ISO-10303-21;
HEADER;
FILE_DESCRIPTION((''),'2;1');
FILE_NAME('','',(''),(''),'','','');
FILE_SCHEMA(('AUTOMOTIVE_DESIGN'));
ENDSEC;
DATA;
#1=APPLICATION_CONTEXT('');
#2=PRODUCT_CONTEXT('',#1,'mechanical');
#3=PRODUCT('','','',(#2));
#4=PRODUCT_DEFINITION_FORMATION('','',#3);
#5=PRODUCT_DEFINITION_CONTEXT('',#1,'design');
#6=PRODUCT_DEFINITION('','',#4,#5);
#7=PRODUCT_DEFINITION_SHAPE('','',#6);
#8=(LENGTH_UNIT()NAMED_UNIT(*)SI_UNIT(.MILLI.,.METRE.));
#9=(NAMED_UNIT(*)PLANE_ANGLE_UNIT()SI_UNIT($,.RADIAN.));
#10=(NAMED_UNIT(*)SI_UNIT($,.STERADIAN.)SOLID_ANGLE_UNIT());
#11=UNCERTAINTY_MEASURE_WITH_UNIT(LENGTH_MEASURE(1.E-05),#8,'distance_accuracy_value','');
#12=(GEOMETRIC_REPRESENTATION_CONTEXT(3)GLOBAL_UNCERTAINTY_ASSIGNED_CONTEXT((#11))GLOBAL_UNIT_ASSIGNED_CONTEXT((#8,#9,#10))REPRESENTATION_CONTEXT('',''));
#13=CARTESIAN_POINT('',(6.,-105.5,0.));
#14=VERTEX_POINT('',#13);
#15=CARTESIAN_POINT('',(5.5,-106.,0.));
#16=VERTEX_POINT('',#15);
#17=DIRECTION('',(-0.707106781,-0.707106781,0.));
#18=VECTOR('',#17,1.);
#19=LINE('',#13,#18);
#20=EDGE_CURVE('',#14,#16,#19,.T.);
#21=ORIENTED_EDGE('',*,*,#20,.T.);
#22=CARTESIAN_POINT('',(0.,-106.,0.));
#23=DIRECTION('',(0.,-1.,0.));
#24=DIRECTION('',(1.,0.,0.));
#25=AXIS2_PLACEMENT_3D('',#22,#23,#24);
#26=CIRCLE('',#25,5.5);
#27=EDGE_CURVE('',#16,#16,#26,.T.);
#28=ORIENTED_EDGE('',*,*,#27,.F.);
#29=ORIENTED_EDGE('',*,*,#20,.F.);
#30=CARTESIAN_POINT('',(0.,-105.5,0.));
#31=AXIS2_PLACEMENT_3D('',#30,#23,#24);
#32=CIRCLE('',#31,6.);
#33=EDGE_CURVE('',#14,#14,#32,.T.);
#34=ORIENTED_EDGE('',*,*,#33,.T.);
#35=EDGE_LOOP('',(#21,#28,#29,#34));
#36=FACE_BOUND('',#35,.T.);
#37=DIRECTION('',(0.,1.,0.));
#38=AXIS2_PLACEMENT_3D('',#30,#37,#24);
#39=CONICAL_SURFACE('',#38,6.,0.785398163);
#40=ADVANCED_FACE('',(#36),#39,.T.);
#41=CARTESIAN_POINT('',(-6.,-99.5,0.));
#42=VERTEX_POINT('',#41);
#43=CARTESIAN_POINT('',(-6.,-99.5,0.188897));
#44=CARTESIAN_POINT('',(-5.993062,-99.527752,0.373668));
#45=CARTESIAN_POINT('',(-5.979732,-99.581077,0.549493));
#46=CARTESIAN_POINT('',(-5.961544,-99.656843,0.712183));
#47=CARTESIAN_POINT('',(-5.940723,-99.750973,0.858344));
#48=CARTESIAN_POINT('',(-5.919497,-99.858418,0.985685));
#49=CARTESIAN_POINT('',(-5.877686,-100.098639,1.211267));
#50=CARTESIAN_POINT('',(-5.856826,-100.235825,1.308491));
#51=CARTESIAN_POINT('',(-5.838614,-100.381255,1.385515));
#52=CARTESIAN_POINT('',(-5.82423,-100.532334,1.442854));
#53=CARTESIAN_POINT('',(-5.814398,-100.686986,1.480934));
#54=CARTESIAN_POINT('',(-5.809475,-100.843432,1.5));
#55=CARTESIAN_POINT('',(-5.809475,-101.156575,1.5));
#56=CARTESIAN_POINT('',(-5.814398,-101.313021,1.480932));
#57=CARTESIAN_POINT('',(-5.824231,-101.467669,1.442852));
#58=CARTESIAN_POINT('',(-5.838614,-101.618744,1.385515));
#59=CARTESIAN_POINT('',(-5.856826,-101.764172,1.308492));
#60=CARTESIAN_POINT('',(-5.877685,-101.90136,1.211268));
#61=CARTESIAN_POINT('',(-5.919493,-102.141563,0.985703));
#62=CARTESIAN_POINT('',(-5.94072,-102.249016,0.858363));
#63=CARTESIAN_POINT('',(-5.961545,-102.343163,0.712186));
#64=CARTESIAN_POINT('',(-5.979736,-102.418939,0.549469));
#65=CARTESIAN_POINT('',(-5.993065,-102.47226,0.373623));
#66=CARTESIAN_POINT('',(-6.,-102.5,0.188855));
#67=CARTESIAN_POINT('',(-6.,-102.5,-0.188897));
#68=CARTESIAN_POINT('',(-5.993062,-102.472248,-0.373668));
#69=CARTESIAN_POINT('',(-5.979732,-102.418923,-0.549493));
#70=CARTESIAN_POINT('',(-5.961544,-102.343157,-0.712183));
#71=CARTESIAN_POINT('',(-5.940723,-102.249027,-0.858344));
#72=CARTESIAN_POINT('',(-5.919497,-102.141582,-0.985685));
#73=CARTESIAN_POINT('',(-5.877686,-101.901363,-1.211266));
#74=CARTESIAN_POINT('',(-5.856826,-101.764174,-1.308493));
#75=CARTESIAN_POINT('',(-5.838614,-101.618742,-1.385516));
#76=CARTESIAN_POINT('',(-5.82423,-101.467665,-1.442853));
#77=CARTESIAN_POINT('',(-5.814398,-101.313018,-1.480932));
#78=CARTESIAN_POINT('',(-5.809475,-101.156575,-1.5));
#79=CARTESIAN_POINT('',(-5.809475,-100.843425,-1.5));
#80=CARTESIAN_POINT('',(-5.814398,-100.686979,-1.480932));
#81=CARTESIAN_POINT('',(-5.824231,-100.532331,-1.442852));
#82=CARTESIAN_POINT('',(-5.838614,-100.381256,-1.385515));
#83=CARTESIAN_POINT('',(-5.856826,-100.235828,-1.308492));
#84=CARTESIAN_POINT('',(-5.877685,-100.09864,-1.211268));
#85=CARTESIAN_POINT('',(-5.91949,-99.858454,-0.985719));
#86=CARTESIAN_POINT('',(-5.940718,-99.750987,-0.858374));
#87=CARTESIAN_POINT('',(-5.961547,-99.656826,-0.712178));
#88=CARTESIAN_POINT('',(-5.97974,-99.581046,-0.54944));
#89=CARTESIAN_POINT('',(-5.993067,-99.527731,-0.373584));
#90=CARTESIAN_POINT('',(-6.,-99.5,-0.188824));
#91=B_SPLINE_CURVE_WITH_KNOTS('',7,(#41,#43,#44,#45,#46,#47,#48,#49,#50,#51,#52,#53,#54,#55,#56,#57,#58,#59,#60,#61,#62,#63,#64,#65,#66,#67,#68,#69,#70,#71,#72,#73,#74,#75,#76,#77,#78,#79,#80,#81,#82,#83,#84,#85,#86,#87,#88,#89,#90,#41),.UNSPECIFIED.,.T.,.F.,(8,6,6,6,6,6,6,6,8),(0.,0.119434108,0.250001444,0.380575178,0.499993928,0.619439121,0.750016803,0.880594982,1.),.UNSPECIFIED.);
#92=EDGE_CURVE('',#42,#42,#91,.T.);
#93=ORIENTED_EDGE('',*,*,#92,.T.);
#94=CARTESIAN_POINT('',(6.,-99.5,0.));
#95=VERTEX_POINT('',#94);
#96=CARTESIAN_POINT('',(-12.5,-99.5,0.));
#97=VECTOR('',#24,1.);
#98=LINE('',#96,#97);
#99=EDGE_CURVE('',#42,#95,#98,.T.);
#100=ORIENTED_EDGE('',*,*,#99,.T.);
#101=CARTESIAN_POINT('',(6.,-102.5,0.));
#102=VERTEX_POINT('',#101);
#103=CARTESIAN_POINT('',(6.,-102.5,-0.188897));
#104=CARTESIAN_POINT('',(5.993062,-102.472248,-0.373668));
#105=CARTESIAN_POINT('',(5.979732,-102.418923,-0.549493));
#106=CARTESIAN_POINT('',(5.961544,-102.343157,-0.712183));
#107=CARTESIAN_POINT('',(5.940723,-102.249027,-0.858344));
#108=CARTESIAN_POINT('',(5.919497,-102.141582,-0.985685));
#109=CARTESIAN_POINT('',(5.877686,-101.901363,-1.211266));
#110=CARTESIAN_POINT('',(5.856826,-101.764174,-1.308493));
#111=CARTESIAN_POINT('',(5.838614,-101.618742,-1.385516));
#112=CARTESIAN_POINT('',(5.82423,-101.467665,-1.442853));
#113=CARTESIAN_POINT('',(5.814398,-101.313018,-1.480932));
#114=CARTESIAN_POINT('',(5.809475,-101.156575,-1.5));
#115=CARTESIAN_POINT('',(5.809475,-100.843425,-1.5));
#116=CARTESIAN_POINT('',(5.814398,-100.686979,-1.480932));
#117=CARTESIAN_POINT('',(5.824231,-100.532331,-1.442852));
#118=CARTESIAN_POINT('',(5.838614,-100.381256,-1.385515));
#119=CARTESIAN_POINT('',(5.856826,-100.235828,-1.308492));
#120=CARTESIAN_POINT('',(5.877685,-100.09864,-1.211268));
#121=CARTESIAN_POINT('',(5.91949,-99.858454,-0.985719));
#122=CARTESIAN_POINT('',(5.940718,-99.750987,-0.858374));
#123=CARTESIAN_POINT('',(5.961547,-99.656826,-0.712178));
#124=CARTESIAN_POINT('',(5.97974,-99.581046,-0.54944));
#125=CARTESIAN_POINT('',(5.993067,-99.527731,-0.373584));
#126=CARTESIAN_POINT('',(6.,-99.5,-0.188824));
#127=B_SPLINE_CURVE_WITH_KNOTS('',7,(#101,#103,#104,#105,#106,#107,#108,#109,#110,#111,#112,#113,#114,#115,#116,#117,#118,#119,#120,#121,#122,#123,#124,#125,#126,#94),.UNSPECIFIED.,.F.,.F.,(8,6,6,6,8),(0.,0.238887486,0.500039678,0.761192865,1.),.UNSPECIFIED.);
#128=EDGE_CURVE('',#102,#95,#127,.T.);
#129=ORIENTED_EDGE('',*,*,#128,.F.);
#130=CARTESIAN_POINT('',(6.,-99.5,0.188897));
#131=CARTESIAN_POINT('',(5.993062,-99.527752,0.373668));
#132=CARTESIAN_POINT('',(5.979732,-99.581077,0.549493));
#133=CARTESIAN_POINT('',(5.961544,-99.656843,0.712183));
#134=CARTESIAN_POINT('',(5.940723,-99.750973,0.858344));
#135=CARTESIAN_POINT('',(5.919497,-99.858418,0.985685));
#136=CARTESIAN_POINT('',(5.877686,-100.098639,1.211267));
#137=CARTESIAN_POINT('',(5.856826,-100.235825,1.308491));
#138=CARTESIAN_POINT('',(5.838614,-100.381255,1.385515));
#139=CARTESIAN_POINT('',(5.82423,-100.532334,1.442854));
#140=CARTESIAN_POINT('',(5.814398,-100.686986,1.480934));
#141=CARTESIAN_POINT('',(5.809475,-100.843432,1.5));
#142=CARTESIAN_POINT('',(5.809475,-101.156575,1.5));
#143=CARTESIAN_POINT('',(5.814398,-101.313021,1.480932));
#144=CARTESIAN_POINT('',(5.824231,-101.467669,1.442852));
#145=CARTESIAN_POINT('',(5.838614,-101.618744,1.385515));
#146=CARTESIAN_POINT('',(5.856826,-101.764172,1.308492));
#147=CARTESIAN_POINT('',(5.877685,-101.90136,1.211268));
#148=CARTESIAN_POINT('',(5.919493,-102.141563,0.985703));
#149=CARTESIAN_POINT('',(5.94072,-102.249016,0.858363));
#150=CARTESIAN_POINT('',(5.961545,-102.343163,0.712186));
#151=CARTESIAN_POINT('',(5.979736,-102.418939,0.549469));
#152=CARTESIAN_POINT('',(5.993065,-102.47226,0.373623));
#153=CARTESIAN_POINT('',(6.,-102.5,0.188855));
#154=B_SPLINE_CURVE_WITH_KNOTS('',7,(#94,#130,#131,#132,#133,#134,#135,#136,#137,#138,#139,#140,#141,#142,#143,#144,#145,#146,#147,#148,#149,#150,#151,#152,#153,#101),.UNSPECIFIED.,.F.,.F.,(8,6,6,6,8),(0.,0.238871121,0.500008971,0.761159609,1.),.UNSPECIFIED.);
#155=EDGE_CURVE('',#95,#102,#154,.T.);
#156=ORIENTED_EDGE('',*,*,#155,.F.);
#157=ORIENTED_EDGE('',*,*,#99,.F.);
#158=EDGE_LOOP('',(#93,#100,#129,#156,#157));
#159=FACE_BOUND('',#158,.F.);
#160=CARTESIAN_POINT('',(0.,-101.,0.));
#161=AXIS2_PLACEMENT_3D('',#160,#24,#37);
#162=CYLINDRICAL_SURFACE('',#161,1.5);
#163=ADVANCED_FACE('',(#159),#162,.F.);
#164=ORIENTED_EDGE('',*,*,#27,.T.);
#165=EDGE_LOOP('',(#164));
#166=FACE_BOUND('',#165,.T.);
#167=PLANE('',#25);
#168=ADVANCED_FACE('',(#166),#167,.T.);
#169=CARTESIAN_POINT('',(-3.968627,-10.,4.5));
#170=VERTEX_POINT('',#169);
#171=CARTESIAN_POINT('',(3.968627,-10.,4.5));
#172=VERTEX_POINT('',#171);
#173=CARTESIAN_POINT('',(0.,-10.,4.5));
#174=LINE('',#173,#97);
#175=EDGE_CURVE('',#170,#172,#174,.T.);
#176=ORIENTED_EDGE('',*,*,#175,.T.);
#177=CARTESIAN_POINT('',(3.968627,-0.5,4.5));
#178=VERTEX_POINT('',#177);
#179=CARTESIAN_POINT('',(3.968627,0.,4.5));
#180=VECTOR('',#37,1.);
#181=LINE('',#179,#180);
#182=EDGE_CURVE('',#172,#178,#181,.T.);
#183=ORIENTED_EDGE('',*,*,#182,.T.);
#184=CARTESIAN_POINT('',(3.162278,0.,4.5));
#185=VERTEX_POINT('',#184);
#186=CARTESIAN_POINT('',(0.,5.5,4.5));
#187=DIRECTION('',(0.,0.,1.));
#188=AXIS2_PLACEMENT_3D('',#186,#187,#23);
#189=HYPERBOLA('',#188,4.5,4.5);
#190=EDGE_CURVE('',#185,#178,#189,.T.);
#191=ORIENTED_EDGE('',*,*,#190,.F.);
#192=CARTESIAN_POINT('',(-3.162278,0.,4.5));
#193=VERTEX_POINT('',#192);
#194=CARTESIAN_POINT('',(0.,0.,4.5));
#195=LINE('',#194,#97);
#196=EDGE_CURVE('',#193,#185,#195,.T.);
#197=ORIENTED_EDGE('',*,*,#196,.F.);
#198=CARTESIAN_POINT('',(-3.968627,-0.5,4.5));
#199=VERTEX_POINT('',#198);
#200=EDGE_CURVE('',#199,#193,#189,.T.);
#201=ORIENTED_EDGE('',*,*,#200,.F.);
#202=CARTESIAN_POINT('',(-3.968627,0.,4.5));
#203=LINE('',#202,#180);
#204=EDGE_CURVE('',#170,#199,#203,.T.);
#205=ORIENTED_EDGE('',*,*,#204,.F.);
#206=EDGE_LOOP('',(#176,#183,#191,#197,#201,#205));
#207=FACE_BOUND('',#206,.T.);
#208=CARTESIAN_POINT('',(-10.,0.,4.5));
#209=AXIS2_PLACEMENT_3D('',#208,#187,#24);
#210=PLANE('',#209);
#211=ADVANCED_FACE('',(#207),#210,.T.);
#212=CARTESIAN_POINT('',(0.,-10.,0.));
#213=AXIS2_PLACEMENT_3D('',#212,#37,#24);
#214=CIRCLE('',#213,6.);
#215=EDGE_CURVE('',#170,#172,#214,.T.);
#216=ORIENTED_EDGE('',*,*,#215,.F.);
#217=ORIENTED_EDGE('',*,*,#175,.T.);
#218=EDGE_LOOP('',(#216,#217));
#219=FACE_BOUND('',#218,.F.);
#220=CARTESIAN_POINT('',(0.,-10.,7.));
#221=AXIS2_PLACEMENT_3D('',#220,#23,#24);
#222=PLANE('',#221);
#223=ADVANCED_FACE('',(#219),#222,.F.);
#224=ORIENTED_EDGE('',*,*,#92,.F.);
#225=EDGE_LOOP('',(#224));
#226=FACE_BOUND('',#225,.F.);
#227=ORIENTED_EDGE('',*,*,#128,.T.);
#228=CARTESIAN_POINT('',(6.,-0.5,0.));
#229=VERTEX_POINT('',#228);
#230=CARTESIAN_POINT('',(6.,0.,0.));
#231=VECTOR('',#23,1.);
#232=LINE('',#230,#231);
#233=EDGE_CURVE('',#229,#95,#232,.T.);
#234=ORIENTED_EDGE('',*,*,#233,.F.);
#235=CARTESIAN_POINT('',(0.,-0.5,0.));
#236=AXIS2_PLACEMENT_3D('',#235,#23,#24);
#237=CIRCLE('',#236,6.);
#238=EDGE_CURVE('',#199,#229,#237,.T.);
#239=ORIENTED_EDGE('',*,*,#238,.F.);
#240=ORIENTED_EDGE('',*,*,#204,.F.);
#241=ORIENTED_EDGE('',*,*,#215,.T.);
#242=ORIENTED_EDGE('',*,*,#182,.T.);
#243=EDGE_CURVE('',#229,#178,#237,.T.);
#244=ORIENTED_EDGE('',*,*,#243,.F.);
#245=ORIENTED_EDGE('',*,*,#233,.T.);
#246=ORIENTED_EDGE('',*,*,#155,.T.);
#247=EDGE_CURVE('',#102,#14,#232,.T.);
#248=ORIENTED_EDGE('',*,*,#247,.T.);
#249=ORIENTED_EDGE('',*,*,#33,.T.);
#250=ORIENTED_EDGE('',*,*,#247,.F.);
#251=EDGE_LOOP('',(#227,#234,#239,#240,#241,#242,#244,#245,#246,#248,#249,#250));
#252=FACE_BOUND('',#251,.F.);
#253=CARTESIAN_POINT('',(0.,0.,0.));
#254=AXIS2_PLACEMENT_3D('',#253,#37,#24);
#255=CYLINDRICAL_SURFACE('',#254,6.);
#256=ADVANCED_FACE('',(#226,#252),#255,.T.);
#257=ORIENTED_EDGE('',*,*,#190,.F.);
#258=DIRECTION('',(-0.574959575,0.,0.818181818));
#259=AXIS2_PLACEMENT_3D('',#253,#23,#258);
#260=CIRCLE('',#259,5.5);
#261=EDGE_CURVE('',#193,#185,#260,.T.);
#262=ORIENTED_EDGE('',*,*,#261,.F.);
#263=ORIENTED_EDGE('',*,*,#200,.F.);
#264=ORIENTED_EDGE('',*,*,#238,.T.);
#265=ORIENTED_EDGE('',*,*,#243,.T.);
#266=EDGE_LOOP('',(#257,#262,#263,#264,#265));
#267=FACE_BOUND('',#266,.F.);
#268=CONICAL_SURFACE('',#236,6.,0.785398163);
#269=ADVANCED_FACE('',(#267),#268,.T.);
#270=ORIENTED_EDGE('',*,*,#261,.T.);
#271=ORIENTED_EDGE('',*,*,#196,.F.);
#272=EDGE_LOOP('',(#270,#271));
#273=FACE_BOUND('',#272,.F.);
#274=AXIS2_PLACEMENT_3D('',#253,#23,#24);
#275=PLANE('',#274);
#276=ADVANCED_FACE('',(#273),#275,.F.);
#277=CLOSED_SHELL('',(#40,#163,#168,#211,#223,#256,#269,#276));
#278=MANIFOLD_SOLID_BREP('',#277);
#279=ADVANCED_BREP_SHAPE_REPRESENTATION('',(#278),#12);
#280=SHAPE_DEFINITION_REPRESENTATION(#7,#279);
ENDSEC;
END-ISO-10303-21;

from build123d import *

# Parameters (mm, degrees)
F0_R     = 6
F1_DEPTH = 106
F2_SIZE  = 0.5
F3_W     = 20
F3_H     = 5
F4_DEPTH = 10
F5_R     = 1.5
F6_DEPTH = 12.5


with BuildPart() as f1:
    # F0 (on Front) → F1 (new body)
    with BuildSketch(Plane.XZ):
        Circle(F0_R)
    extrude(amount=F1_DEPTH)

    # F2
    f2_edges = [f1.edges().sort_by_distance(p)[0] for p in [
        (-6, -106, 0),
        (-6, 0, 0),
    ]]
    chamfer(f2_edges, length=F2_SIZE)

    # F3 (on Front) → F4 (cut)
    with BuildSketch(Plane.XZ):
        with Locations((0, 7)):
            Rectangle(F3_W, F3_H)
    extrude(amount=F4_DEPTH, mode=Mode.SUBTRACT)

    # F5 (on Right) → F6 (cut, symmetric)
    with BuildSketch(Plane.YZ):
        with Locations((-101, 0)):
            Circle(F5_R)
    extrude(amount=F6_DEPTH, both=True, mode=Mode.SUBTRACT)


solid = f1.part
